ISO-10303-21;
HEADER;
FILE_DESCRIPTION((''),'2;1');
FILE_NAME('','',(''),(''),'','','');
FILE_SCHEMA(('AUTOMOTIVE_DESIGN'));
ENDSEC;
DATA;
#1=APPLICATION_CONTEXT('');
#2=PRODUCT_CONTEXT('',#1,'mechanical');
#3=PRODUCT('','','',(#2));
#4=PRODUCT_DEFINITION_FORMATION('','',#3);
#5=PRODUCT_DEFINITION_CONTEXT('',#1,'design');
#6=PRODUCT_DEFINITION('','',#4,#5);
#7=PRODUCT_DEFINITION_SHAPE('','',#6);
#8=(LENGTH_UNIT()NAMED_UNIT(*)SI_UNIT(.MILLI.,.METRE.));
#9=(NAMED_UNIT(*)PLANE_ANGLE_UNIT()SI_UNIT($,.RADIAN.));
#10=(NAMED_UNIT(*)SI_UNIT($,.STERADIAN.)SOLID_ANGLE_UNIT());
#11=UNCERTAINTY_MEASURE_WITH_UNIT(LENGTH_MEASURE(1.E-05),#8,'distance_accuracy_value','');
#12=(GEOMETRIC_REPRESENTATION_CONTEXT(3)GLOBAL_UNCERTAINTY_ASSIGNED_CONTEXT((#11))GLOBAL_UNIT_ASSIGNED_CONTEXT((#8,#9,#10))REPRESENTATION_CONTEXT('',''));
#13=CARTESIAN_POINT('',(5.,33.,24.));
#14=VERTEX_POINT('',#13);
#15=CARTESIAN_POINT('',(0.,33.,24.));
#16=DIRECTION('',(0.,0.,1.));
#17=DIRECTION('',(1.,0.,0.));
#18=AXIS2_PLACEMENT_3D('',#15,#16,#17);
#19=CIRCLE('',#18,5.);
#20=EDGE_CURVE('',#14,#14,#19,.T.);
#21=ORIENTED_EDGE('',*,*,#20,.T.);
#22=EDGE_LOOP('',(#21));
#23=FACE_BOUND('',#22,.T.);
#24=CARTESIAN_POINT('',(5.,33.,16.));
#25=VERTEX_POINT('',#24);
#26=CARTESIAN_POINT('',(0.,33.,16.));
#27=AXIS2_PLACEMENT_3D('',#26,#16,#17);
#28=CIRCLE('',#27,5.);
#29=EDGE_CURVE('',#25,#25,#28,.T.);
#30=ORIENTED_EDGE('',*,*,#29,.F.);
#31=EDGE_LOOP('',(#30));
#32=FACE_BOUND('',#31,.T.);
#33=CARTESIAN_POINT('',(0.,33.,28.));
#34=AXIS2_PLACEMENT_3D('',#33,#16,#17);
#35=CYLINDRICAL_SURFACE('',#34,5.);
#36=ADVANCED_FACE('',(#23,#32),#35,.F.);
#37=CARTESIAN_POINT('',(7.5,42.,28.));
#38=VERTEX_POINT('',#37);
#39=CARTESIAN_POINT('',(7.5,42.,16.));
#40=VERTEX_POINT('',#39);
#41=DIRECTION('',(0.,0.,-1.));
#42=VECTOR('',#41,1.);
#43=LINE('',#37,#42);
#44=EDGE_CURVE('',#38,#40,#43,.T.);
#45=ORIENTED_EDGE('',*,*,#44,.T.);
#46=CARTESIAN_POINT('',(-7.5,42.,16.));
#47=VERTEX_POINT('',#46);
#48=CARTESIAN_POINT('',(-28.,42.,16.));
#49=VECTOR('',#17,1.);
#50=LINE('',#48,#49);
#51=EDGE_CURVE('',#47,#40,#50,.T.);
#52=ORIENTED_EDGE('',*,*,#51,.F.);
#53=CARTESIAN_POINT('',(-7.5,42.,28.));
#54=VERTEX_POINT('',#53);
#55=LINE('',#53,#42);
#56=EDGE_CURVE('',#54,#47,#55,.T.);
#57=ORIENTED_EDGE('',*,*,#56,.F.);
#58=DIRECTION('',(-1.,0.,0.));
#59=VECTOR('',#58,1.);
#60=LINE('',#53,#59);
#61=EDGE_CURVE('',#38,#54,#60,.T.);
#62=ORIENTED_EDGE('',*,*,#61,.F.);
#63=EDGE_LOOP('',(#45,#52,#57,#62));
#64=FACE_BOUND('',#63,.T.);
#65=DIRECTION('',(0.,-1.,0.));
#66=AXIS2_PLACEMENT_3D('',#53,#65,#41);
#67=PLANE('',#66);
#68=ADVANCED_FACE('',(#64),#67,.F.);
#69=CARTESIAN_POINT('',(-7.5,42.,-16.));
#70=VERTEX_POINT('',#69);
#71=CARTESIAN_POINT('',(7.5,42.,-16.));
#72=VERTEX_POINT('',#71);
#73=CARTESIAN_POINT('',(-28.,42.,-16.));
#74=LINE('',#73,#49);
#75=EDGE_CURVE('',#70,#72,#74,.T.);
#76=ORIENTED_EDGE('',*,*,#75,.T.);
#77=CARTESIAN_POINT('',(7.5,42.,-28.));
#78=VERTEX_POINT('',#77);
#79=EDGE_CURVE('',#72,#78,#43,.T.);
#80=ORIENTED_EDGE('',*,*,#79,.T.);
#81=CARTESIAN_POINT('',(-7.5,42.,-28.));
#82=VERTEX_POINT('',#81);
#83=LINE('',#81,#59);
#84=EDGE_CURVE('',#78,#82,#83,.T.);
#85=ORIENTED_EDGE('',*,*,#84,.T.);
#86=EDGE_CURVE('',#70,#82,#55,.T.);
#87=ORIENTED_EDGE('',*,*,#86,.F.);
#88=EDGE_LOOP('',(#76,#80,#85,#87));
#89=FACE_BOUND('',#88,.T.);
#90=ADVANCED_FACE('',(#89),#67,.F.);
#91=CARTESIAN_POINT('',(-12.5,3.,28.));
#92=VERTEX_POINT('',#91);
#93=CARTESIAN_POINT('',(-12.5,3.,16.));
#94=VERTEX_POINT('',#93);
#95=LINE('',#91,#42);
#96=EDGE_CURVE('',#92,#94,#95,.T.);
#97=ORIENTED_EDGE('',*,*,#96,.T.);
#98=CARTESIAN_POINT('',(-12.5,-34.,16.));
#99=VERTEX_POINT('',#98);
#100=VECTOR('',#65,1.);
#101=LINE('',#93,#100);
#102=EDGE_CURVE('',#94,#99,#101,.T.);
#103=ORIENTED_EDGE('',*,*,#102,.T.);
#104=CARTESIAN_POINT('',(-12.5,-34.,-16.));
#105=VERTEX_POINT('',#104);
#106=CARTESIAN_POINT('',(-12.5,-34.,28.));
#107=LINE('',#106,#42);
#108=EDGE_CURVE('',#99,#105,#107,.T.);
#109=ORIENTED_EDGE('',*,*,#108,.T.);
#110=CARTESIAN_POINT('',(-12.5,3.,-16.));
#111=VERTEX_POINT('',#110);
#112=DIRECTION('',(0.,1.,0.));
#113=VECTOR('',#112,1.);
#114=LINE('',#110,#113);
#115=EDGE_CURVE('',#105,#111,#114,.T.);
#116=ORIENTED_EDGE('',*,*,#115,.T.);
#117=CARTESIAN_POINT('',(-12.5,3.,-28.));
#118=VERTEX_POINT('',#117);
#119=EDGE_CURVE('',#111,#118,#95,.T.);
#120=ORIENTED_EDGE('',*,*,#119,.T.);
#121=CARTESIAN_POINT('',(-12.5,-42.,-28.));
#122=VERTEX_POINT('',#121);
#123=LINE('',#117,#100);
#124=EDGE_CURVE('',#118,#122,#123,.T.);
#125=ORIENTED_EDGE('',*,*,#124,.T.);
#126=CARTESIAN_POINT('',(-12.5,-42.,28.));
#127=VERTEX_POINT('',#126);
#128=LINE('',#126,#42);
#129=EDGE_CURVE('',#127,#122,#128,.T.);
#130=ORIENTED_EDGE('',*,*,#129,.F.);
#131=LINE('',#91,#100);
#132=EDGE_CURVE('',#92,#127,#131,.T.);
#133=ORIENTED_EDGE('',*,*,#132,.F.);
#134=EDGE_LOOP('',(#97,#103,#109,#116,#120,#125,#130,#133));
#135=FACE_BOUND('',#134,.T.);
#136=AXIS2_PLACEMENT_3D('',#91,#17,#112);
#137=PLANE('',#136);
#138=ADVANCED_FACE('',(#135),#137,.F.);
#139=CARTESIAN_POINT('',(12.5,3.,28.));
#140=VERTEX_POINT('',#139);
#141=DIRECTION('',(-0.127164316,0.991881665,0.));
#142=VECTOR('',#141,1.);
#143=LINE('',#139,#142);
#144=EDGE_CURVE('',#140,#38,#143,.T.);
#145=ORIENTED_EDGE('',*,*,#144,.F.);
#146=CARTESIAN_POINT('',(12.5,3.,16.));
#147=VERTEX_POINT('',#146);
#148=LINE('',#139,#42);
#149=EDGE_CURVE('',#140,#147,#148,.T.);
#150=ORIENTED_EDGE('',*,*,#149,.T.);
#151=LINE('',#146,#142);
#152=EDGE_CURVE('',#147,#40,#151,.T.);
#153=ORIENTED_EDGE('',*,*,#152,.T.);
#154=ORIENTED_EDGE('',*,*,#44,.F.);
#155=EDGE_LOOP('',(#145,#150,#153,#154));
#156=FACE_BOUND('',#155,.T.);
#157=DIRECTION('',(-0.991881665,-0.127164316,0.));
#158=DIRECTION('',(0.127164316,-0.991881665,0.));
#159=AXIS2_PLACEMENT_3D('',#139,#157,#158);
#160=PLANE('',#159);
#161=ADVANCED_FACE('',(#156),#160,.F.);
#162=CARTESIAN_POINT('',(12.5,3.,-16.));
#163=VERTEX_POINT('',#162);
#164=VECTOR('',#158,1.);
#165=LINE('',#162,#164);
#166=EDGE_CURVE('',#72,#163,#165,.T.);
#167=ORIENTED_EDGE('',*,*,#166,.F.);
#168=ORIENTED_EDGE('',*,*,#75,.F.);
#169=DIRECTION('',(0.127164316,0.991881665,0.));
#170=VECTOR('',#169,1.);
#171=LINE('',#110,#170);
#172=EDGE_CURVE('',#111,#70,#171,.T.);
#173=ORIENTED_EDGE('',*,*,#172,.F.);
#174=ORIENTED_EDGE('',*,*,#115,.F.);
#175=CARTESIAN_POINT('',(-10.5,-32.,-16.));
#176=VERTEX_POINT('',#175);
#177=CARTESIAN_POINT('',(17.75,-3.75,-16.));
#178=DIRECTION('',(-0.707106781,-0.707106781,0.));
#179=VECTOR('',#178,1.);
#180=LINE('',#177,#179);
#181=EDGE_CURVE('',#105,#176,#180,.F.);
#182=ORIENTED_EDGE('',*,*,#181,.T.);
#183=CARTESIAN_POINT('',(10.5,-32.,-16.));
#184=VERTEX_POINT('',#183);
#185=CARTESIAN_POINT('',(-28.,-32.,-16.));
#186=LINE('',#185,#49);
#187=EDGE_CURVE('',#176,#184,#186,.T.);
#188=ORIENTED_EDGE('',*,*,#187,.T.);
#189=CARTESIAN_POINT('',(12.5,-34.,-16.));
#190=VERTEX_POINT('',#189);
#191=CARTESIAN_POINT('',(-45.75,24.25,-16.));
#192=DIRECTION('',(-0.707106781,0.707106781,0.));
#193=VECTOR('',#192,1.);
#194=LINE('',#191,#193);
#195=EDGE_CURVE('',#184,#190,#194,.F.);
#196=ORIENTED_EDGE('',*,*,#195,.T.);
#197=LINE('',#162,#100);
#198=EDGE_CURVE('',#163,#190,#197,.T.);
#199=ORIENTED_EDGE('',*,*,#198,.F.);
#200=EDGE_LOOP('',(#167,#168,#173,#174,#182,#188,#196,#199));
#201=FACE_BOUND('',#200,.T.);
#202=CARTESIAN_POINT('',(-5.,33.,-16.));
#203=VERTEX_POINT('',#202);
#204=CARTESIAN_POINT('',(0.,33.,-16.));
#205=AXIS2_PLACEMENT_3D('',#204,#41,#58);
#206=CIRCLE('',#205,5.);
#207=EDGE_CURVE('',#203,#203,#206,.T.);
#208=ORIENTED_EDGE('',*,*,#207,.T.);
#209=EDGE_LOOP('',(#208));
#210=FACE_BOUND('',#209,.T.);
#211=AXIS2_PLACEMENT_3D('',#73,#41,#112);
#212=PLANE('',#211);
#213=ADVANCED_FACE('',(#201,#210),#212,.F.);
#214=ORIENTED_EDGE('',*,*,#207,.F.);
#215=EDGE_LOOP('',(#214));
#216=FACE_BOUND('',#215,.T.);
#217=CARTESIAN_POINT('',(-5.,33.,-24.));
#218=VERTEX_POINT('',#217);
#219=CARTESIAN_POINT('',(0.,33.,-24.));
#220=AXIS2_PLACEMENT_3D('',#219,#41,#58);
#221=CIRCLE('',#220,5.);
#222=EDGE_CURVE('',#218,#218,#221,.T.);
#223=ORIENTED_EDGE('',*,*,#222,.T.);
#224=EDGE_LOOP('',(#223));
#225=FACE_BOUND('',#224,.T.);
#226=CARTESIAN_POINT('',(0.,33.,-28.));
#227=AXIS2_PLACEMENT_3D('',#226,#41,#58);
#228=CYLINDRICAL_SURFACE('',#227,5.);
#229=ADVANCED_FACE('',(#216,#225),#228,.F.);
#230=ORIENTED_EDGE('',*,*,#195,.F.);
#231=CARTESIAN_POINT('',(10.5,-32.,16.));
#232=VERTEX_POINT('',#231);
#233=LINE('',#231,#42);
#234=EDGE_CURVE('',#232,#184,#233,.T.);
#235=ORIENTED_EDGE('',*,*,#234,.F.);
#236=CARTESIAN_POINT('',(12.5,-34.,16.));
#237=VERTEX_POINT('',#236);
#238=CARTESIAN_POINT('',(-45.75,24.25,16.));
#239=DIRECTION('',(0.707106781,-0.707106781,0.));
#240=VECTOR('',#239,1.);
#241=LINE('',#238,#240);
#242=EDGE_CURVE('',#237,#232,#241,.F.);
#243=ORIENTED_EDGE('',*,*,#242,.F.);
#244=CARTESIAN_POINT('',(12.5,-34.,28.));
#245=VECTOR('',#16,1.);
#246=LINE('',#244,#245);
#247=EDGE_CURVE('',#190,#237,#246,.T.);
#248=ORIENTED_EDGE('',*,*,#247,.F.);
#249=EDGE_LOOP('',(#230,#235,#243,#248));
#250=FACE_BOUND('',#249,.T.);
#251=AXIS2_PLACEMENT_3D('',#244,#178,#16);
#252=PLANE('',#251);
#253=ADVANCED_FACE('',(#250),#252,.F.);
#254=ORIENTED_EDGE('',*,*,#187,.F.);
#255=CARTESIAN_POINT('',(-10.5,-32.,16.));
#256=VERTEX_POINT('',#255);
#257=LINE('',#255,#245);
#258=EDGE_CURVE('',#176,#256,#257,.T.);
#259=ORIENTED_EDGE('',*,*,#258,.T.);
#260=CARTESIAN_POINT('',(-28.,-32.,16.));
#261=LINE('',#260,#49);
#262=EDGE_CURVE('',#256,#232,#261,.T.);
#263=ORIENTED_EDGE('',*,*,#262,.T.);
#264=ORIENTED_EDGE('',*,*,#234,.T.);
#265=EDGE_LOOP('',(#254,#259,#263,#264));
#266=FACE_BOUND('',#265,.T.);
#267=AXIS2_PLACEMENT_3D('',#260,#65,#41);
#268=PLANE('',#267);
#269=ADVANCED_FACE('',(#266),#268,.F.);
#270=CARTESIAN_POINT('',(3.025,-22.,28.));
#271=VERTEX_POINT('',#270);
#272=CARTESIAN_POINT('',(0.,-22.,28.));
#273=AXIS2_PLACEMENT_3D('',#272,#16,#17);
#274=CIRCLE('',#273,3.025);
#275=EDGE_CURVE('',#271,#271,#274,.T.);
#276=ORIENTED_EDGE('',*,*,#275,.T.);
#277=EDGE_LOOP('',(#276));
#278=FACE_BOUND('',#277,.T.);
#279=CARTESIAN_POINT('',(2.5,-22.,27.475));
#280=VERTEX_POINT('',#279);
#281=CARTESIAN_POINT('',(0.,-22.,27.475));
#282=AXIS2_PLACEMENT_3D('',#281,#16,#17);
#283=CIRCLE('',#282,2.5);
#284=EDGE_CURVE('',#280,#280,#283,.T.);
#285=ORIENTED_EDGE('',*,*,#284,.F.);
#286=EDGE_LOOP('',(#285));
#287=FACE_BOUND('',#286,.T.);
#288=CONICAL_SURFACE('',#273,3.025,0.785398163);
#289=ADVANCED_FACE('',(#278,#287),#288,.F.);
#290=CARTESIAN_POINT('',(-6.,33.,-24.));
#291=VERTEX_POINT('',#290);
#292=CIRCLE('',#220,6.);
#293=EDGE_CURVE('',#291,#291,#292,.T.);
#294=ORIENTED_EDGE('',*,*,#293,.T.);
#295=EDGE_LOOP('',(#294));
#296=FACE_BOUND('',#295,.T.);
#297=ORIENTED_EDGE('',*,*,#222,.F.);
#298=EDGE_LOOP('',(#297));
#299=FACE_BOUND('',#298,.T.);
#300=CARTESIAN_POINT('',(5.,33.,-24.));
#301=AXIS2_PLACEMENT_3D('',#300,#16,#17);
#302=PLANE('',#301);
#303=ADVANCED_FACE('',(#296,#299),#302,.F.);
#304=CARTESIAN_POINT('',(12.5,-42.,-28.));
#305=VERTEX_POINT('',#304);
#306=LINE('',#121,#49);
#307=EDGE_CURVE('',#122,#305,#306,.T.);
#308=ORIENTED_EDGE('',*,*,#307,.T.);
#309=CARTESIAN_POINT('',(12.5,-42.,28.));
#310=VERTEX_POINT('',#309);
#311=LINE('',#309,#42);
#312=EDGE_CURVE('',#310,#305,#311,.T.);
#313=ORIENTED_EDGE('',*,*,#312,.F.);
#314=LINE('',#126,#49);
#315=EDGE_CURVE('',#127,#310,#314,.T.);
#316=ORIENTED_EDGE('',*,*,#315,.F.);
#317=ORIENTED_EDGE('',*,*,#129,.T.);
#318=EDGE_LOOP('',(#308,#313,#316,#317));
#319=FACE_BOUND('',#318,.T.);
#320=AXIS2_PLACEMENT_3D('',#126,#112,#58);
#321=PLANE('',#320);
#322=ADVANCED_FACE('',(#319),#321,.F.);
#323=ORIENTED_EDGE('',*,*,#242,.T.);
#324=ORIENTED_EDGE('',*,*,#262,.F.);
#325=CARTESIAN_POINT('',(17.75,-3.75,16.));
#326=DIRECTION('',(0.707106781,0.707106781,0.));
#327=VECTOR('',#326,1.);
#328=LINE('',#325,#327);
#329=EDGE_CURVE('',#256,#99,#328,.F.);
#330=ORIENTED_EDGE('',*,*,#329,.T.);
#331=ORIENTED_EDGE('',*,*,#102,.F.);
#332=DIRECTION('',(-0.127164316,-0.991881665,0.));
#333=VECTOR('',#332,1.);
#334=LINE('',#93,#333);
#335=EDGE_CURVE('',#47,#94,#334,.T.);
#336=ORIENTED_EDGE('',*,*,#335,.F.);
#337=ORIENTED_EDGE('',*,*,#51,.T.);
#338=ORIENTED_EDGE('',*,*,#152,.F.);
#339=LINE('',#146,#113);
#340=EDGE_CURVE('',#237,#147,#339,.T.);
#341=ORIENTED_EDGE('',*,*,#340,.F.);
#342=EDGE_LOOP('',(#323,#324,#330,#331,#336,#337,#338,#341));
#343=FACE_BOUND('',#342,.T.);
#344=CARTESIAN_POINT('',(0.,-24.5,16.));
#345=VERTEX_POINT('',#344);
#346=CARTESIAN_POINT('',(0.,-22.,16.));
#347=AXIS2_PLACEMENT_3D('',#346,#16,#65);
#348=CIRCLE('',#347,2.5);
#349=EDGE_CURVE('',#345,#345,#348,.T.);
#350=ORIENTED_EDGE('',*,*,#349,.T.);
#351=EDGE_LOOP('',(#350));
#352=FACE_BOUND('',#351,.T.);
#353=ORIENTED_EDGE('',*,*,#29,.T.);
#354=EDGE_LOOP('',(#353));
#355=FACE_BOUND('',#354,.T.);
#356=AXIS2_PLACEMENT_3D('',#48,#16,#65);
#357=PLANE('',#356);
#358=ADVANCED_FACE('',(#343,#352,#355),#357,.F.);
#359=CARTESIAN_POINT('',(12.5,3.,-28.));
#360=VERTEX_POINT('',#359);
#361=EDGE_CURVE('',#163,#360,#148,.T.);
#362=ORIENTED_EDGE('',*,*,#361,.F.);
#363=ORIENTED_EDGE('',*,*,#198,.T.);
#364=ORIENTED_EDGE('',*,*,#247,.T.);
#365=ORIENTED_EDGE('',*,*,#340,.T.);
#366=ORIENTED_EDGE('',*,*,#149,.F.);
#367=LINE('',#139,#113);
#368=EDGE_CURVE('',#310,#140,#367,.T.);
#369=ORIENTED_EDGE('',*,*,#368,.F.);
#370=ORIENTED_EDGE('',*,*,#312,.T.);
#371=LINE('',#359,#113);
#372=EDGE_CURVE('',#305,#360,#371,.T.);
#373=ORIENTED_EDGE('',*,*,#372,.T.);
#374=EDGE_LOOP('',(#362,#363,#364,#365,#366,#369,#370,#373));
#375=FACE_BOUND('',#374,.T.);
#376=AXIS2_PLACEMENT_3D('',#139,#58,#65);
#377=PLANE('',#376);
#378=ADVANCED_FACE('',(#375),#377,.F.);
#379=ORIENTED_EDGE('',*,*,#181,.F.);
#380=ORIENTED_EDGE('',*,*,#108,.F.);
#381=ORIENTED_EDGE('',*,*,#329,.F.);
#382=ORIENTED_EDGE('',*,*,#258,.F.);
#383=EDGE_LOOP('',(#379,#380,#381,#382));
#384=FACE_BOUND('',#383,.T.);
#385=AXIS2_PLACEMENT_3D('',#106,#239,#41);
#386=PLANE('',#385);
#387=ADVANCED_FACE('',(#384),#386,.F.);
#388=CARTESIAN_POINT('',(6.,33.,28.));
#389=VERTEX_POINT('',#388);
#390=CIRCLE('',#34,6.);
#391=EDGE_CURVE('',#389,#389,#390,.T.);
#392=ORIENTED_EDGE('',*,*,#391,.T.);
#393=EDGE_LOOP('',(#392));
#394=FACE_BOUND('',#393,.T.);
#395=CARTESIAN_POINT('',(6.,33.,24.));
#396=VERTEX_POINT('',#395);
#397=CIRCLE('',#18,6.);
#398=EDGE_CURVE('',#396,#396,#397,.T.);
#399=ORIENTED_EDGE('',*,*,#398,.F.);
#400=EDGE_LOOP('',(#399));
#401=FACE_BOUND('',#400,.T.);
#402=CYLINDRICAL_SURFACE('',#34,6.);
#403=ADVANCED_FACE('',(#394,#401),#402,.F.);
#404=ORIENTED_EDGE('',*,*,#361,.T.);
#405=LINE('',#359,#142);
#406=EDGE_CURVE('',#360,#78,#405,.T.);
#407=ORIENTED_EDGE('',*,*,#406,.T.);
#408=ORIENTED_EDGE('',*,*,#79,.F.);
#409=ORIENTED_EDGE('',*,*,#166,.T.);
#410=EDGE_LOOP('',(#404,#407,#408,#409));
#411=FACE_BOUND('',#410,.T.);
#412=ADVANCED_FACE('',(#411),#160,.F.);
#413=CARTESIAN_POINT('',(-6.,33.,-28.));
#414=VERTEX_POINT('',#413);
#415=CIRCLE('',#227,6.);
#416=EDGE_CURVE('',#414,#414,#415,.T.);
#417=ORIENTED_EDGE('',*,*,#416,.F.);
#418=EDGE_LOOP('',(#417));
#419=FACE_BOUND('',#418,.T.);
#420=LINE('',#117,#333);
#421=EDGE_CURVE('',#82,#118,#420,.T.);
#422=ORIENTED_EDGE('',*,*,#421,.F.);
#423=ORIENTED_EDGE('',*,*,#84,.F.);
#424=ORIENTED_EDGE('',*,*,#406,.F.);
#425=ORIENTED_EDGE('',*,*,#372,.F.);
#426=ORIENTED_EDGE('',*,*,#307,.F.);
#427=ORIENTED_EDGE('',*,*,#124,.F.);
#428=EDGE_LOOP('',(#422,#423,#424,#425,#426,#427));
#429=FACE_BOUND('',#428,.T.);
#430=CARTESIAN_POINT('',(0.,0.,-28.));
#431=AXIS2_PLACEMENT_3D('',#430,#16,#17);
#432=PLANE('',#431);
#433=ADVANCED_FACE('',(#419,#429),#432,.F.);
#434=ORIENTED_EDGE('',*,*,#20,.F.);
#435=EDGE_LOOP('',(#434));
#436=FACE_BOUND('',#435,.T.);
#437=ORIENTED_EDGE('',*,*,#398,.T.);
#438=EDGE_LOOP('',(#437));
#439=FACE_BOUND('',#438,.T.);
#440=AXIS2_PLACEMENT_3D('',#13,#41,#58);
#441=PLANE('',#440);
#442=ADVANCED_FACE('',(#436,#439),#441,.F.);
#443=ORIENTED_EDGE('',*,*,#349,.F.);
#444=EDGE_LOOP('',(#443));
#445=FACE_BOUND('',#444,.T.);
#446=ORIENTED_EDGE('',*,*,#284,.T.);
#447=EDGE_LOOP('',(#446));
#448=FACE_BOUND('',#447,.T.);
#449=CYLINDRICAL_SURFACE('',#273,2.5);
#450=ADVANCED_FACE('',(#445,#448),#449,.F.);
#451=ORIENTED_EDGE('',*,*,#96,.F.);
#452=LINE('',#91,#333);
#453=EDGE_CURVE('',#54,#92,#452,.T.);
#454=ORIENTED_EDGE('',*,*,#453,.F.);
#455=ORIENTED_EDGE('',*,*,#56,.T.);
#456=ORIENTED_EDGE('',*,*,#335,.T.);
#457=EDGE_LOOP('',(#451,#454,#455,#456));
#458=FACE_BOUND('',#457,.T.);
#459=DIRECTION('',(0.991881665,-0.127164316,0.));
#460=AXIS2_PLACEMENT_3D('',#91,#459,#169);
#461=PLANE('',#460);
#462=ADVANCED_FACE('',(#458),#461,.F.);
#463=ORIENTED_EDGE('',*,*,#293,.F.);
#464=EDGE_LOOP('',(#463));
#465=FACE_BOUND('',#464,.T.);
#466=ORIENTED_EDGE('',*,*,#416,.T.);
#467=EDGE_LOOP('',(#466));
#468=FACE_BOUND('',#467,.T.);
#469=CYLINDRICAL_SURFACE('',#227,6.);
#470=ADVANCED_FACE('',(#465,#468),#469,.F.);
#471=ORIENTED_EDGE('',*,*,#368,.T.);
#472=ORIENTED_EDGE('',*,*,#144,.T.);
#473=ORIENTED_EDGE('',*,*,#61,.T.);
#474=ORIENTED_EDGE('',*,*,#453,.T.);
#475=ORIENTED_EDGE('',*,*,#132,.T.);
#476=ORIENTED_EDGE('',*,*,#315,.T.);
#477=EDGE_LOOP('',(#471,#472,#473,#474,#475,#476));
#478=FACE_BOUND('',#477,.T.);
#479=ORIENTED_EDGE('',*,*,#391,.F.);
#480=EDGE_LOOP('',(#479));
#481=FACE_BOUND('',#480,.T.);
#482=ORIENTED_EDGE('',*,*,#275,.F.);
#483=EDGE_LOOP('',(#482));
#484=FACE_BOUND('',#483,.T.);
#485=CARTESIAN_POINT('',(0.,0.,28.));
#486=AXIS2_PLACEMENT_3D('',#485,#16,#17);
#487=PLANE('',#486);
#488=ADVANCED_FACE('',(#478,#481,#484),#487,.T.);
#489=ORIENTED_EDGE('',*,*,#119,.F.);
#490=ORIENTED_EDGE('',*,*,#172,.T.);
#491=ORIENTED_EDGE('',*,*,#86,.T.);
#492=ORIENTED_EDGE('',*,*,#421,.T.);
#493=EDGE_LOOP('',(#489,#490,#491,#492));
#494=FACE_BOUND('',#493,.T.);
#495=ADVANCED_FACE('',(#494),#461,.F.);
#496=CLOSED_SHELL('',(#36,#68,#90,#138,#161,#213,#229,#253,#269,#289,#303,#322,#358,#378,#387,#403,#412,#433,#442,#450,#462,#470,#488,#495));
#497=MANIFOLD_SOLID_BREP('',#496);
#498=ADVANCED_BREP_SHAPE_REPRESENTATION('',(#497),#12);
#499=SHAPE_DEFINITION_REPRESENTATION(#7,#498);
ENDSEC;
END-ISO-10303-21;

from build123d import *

# Parameters (mm, degrees)
BOSS_EXTRUDE1_DEPTH         = 28
SKETCH2_W                   = 32
SKETCH2_H                   = 74
CUT_EXTRUDE1_DEPTH          = 28
CHAMFER1_SIZE               = 2
HOLE1_D                     = 10
HOLE1_DEPTH                 = 12
HOLE1_CBORE_D               = 12
HOLE1_CBORE_DEPTH           = 4
M6_TAPPED_HOLE1_D           = 5
M6_TAPPED_HOLE1_DEPTH       = 27
M6_TAPPED_HOLE1_CSINK_D     = 6.05
M6_TAPPED_HOLE1_CSINK_ANGLE = 90
M6_TAPPED_HOLE1_TIP         = 1.502151548


with BuildPart() as part:
    # Sketch1 → Boss-Extrude1 (new, symmetric)
    with BuildSketch(Plane.XY):
        Polygon((-7.5, 42), (7.5, 42), (12.5, 3), (12.5, -42), (-12.5, -42), (-12.5, 3), align=None)
    extrude(amount=BOSS_EXTRUDE1_DEPTH, both=True)

    # Sketch2 → Cut-Extrude1 (cut, symmetric)
    with BuildSketch(Plane(origin=(0, 0, 0), x_dir=(0, 0, -1), z_dir=(1, 0, 0))):
        with Locations((0, 5)):
            Rectangle(SKETCH2_W, SKETCH2_H)
    extrude(amount=CUT_EXTRUDE1_DEPTH, both=True, mode=Mode.SUBTRACT)

    # Chamfer1
    chamfer1_edges = [part.edges().sort_by_distance(p)[0] for p in [
        (-12.5, -32, 0),
        (12.5, -32, 0),
    ]]
    chamfer(chamfer1_edges, length=CHAMFER1_SIZE)

    # Hole1
    with Locations(Plane.XY.offset(28)):
        with Locations((0, 33)):
            hole1 = CounterBoreHole(HOLE1_D / 2, HOLE1_CBORE_D / 2, HOLE1_CBORE_DEPTH, depth=HOLE1_DEPTH)

    # Mirror1: Hole1 across plane
    add(hole1.mirror(Plane.XY), mode=Mode.SUBTRACT)

    # M6 Tapped Hole1
    with Locations(Plane.XY.offset(28)):
        with Locations((0, -22)):
            CounterSinkHole(M6_TAPPED_HOLE1_D / 2, M6_TAPPED_HOLE1_CSINK_D / 2, depth=M6_TAPPED_HOLE1_DEPTH, counter_sink_angle=M6_TAPPED_HOLE1_CSINK_ANGLE)
            with Locations((0, 0, -(M6_TAPPED_HOLE1_DEPTH + M6_TAPPED_HOLE1_TIP / 2))):  # 118° drill point
                Cone(0, M6_TAPPED_HOLE1_D / 2, M6_TAPPED_HOLE1_TIP, mode=Mode.SUBTRACT)


solid = part.part
